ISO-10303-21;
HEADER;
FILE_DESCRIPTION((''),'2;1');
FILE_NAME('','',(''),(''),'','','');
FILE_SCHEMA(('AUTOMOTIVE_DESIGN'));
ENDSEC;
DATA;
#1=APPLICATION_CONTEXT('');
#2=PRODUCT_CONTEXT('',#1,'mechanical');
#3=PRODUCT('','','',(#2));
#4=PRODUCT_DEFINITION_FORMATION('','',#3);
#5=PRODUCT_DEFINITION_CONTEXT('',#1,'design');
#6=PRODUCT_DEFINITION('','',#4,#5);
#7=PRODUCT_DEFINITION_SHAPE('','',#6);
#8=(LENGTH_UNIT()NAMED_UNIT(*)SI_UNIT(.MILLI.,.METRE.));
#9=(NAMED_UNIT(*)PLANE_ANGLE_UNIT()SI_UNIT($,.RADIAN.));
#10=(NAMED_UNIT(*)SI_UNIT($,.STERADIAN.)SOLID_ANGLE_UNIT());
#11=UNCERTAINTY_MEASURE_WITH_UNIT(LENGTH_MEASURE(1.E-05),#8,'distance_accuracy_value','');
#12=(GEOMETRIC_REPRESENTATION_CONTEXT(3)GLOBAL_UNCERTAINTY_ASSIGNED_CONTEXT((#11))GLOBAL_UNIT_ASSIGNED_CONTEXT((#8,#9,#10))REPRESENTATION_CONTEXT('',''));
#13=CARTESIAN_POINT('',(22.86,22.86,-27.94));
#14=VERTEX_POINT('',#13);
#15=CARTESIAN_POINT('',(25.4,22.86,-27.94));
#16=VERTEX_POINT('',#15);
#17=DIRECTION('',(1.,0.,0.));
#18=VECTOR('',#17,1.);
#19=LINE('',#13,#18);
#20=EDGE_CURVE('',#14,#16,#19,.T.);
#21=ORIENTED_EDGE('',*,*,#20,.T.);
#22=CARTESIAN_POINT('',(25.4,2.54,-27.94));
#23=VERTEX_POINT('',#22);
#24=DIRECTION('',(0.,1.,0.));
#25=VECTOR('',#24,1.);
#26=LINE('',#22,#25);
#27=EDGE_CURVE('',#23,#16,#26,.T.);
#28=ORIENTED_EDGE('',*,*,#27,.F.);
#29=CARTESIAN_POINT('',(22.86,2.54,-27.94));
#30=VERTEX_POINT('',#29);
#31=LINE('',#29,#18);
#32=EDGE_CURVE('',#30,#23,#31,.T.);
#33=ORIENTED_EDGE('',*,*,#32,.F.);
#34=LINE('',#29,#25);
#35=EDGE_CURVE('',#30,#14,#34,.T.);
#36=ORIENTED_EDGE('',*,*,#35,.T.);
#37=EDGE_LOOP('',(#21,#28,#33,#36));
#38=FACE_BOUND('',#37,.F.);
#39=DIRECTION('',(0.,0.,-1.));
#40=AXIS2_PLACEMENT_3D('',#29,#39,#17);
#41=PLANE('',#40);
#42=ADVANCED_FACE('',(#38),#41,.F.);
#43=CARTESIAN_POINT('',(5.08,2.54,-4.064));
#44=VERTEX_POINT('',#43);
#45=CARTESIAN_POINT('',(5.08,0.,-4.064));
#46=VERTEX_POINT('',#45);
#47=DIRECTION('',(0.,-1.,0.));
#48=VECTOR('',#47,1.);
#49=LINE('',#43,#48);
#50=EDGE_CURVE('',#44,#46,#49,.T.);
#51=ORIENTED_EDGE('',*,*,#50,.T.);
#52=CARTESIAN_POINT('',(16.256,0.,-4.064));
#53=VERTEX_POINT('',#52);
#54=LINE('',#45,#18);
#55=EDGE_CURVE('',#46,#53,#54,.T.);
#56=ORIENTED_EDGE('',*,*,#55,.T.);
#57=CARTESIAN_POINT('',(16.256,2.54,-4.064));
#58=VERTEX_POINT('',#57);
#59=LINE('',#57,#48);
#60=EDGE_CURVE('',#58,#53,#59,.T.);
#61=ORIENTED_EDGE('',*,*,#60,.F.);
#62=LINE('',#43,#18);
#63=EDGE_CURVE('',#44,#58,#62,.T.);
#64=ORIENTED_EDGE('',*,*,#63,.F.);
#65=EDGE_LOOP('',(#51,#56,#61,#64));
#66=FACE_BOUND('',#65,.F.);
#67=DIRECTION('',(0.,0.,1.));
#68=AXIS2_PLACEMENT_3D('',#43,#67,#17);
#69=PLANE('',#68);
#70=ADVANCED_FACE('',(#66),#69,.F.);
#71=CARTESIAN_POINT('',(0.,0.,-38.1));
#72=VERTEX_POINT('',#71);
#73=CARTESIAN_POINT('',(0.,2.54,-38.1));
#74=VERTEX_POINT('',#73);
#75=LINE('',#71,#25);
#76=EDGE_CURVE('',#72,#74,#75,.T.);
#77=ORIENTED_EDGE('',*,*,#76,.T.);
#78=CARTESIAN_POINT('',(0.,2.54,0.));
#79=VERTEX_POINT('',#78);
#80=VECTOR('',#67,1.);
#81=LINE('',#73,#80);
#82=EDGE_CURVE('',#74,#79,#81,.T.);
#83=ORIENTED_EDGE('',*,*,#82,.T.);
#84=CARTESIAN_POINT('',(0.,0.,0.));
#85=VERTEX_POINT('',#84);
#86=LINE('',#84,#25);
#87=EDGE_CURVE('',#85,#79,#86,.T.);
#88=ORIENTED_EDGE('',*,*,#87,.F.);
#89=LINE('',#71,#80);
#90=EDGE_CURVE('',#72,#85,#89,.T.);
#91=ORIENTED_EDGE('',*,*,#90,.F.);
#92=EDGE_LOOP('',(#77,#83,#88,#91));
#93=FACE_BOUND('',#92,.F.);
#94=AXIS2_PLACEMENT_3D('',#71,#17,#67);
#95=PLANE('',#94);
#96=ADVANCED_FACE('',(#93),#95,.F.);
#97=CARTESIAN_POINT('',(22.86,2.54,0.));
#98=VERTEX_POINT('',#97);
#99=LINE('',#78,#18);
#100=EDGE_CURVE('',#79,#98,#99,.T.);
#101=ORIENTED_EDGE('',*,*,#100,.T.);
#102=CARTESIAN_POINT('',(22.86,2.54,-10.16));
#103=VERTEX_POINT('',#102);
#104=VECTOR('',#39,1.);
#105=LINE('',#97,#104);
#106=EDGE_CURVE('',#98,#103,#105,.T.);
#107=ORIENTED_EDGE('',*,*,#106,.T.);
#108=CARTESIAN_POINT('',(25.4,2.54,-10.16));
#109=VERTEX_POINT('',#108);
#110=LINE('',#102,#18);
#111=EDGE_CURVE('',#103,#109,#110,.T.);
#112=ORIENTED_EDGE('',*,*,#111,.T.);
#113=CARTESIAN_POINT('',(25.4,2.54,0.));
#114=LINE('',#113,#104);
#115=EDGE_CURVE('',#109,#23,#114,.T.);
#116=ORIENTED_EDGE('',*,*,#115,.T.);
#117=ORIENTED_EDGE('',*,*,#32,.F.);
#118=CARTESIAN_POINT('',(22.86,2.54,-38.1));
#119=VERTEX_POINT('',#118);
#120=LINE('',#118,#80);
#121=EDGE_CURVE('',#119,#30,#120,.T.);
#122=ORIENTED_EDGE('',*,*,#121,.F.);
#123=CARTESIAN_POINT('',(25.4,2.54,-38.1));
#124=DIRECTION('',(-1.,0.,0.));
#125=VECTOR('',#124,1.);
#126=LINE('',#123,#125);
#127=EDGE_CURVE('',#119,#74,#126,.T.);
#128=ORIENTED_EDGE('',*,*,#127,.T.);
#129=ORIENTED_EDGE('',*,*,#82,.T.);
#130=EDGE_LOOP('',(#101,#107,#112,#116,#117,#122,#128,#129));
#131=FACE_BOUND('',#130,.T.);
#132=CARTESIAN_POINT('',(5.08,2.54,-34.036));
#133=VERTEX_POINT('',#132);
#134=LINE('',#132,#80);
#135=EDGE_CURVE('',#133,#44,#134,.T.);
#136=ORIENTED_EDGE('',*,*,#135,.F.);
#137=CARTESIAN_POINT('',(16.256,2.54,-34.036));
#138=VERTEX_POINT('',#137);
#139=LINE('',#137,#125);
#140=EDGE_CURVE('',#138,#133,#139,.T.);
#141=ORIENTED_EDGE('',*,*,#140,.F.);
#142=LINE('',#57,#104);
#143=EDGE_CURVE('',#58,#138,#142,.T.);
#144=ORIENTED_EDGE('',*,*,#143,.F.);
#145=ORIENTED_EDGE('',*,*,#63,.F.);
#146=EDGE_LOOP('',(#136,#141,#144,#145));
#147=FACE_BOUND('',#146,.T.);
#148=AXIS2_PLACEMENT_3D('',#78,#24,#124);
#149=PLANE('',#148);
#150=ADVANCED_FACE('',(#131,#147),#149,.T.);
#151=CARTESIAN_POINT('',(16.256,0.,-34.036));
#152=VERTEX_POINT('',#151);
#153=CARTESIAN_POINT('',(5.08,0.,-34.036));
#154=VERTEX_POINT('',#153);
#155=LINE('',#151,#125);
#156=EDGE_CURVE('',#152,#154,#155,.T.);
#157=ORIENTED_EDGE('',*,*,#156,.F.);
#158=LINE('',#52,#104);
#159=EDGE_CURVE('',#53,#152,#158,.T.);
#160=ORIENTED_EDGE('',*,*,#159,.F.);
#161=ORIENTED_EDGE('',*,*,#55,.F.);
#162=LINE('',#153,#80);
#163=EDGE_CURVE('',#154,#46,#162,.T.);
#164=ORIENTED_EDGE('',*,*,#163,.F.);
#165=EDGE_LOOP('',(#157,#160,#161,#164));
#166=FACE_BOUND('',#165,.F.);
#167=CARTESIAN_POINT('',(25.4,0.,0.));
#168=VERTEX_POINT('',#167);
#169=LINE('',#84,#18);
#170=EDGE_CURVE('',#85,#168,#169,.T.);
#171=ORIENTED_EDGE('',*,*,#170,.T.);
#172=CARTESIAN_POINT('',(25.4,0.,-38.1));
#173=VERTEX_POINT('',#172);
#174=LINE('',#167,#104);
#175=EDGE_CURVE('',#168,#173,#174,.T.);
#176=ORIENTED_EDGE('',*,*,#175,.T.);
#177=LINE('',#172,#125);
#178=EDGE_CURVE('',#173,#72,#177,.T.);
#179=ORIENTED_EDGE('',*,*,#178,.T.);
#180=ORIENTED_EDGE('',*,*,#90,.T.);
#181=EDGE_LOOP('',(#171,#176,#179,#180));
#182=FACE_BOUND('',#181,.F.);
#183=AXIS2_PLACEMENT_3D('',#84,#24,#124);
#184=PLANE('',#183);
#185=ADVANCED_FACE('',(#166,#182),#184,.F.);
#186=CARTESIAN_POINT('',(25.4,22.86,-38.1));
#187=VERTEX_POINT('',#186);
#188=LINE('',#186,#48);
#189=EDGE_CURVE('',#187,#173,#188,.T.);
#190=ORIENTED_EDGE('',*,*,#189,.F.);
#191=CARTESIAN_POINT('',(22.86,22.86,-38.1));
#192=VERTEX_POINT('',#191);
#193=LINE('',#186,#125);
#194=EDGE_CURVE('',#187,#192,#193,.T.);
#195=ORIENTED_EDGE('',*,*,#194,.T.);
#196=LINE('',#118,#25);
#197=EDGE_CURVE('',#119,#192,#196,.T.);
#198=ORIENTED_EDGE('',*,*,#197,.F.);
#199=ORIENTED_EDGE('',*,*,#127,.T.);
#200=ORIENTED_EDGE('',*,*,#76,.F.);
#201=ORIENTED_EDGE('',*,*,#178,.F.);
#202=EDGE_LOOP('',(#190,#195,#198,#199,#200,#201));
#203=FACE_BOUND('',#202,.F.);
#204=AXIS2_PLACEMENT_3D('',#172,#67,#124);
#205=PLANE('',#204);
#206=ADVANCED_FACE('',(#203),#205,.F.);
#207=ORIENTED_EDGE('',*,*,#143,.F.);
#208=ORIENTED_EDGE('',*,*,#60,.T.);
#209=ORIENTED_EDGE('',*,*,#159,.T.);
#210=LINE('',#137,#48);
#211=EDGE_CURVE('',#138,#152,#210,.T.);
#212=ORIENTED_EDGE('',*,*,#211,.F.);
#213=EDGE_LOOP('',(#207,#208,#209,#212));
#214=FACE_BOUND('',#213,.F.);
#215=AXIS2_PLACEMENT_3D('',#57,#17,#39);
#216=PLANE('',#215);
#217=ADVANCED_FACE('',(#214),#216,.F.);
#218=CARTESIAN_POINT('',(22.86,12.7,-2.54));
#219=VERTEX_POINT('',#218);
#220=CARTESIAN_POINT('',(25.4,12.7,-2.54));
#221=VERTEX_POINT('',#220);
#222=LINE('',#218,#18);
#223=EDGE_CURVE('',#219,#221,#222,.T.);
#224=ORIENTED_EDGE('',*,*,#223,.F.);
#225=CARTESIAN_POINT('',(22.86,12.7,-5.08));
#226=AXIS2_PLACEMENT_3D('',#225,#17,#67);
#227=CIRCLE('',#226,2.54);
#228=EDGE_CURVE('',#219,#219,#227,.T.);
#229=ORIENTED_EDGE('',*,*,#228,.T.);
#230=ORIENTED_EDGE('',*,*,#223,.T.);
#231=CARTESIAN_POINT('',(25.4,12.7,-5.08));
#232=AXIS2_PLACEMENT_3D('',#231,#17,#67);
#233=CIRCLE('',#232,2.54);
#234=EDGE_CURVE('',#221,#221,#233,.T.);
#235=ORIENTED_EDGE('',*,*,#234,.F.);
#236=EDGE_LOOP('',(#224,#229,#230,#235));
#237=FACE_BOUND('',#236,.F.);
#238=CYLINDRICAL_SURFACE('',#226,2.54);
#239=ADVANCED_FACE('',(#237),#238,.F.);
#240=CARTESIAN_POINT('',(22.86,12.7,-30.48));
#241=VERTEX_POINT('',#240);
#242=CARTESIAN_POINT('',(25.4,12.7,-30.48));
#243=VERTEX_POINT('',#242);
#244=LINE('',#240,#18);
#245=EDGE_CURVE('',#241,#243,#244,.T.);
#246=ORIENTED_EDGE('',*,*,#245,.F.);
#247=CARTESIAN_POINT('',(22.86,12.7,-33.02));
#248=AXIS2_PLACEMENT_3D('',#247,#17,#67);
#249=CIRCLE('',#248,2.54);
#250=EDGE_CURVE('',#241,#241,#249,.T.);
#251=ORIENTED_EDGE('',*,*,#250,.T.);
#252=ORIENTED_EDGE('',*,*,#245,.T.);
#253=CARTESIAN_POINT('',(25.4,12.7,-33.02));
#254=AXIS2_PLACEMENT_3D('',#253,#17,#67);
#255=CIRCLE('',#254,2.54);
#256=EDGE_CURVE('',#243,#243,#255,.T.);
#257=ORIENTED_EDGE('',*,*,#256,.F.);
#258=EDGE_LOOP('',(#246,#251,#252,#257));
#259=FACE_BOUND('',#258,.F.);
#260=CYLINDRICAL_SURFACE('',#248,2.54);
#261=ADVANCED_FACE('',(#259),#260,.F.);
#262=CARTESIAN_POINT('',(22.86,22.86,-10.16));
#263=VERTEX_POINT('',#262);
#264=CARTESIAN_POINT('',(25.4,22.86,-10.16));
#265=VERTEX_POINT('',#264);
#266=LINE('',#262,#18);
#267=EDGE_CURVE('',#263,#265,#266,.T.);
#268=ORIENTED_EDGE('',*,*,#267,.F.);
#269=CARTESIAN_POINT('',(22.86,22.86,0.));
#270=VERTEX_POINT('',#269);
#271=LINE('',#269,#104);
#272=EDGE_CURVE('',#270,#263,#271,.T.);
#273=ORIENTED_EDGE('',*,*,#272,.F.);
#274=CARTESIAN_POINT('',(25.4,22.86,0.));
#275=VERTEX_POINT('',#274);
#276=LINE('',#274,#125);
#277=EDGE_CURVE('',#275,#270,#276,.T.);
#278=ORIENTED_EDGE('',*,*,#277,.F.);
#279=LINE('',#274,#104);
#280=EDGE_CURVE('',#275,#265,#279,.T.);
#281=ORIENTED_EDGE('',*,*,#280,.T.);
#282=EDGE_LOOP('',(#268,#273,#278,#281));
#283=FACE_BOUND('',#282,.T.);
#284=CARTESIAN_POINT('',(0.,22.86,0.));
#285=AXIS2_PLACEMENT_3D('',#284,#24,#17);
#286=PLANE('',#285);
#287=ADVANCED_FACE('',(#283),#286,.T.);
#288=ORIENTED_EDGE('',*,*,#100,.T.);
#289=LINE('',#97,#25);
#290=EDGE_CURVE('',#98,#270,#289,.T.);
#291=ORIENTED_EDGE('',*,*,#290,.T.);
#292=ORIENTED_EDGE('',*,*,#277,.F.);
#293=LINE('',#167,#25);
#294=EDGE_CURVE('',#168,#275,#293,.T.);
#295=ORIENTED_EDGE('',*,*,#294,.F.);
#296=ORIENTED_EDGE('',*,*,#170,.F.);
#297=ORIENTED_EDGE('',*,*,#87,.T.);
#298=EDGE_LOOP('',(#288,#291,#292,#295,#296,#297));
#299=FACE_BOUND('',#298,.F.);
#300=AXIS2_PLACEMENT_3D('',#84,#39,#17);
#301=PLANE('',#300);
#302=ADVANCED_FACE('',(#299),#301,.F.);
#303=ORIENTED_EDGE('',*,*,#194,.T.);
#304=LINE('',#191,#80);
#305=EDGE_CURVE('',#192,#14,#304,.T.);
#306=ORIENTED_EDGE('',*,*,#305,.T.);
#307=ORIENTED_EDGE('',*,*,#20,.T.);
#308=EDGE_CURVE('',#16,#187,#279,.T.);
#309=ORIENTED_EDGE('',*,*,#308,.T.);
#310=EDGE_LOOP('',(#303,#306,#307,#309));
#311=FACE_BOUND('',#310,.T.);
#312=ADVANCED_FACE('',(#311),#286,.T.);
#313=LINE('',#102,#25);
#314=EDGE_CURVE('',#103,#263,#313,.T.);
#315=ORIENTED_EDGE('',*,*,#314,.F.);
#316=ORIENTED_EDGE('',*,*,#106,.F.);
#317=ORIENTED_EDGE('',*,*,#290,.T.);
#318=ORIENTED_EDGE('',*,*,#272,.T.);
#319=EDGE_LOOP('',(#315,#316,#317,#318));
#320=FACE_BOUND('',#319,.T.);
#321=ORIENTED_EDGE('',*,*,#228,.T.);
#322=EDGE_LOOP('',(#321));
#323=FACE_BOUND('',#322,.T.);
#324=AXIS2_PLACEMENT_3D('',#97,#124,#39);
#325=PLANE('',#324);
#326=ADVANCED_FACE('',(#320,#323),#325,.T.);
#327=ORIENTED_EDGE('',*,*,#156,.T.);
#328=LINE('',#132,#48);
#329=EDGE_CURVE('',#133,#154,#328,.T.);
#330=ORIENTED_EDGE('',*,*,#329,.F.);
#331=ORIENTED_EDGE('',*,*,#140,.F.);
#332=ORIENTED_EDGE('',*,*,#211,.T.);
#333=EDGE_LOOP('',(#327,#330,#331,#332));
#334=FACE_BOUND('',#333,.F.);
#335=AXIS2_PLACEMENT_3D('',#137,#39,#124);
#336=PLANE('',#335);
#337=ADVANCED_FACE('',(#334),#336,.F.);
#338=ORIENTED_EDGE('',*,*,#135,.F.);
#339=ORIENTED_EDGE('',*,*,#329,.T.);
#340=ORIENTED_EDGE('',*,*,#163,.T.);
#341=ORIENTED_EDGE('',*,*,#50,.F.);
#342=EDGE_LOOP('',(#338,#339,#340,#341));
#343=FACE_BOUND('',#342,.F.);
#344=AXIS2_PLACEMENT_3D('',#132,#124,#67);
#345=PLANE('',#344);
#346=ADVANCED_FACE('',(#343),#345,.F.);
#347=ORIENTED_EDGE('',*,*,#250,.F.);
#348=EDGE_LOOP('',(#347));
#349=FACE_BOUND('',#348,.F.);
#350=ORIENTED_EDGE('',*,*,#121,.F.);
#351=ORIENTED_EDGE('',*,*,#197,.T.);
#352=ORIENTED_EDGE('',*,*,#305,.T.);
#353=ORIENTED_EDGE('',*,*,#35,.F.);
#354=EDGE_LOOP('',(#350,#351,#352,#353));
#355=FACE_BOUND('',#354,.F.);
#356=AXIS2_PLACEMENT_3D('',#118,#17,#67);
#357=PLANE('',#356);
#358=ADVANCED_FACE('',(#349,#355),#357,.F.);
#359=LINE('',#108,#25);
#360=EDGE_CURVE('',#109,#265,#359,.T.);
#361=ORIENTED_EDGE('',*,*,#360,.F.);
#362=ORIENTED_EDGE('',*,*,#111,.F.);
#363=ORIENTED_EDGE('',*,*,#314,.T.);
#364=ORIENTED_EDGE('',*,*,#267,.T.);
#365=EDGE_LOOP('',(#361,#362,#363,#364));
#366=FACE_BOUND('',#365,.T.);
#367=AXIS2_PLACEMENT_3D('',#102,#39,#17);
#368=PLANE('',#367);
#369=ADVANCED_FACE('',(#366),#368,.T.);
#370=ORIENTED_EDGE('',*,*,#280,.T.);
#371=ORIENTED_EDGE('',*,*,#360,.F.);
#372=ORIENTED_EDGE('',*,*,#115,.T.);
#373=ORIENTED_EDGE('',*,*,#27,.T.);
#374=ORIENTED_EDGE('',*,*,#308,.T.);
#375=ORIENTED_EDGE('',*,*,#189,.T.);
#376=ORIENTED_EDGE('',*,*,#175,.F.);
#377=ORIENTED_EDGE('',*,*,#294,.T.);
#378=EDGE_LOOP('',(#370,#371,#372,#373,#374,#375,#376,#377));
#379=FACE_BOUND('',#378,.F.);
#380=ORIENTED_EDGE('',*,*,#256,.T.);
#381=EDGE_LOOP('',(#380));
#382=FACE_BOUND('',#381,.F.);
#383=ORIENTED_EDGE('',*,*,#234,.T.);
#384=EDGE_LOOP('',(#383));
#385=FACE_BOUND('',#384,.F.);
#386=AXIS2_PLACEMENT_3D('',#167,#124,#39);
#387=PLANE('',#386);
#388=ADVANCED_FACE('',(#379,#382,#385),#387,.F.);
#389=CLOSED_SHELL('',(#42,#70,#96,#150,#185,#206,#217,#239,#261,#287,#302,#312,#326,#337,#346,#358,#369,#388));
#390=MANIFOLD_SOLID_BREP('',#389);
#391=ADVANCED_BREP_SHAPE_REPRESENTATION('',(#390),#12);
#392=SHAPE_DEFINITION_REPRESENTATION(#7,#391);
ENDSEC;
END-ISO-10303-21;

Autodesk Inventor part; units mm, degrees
ref_plane "YZ Plane" through (0, 0, 0) normal (1, 0, 0) x (0, 1, 0)
ref_plane "XZ Plane" through (0, 0, 0) normal (0, 1, 0) x (-1, 0, 0)
ref_plane "XY Plane" through (0, 0, 0) normal (0, 0, 1) x (1, 0, 0)
sketch "Sketch1" plane through (0, 0, 0) normal (0, 1, 0) x (-1, 0, 0)
  line L0 (0, 0) -> (-25.4, 0)
  line L1 (-25.4, 0) -> (-25.4, -38.1)
  line L2 (-25.4, -38.1) -> (0, -38.1)
  line L3 (0, -38.1) -> (0, 0)
  dimension "d0" = 25.4
  dimension "d1" = 38.1
extrude "Extrusion1" add sketch "Sketch1" along normal blind 2.54
sketch "Sketch3" plane through (0, 2.54, 0) normal (0, 1, 0) x (1, 0, 0)
  line L0 (0, 0) -> (5.08, 0)
  line L1 (5.08, 0) -> (5.08, 4.064)
  line L2 (5.08, 4.064) -> (0, 4.064)
  line L3 (0, 4.064) -> (0, 0)
  line L4 (25.4, 38.1) -> (0, 38.1) projected
  line L5 (0, 38.1) -> (5.08, 38.1)
  line L6 (5.08, 38.1) -> (5.08, 34.036)
  line L7 (5.08, 34.036) -> (0, 34.036)
  line L8 (0, 34.036) -> (0, 38.1)
  line L9 (5.08, 4.064) -> (16.256, 4.064)
  line L10 (16.256, 4.064) -> (16.256, 34.036)
  line L11 (16.256, 34.036) -> (5.08, 34.036)
  line L12 (5.08, 34.036) -> (5.08, 4.064)
  dimension "d7" = 5.08
  dimension "d8" = 4.064
  dimension "d9" = 5.08
  dimension "d10" = 4.064
  dimension "d11" = 11.176
extrude "Extrusion2" cut sketch "Sketch3" against normal blind 2.54 contours L12 L11 L10 L9
sketch "Sketch4" plane through (0, 2.54, 0) normal (0, 1, 0) x (1, 0, 0)
  line L0 (25.4, 0) -> (25.4, 38.1) projected
  line L1 (25.4, 0) -> (22.86, 0)
  line L2 (22.86, 0) -> (22.86, 10.16)
  line L3 (22.86, 10.16) -> (25.4, 10.16)
  line L4 (25.4, 10.16) -> (25.4, 0)
  line L5 (25.4, 38.1) -> (22.86, 38.1)
  line L6 (22.86, 38.1) -> (22.86, 27.94)
  line L7 (22.86, 27.94) -> (25.4, 27.94)
  line L8 (25.4, 27.94) -> (25.4, 38.1)
  point P0 (0, 0)
  dimension "d14" = 2.54
  dimension "d15" = 10.16
  dimension "d16" = 2.54
  dimension "d17" = 10.16
extrude "Extrusion3" add sketch "Sketch4" along normal blind 20.32
sketch "Sketch5" plane through (22.86, 2.54, -10.16) normal (-1, 0, 0) x (0, 0, 1)
  line L0 (10.16, 20.32) -> (0, 20.32) projected
  line L1 (5.08, 20.32) -> (5.08, 10.16)
  point P0 (10.16, -2.54)
  dimension "d20" = 10.16
hole "Hole1" at (22.86, 12.7, -5.08) direction (1, 0, 0) diameter 5.08 end through all
sketch "Sketch6" plane through (22.86, 2.54, -38.1) normal (-1, 0, 0) x (0, 0, 1)
  line L0 (10.16, 20.32) -> (0, 20.32) projected
  line L1 (5.08, 20.32) -> (5.08, 10.16)
  point P0 (38.1, -2.54)
  dimension "d28" = 10.16
hole "Hole2" at (22.86, 12.7, -33.02) direction (1, 0, 0) diameter 5.08 end through all
properties part number "Actobotics Power Switch Mount v2"
